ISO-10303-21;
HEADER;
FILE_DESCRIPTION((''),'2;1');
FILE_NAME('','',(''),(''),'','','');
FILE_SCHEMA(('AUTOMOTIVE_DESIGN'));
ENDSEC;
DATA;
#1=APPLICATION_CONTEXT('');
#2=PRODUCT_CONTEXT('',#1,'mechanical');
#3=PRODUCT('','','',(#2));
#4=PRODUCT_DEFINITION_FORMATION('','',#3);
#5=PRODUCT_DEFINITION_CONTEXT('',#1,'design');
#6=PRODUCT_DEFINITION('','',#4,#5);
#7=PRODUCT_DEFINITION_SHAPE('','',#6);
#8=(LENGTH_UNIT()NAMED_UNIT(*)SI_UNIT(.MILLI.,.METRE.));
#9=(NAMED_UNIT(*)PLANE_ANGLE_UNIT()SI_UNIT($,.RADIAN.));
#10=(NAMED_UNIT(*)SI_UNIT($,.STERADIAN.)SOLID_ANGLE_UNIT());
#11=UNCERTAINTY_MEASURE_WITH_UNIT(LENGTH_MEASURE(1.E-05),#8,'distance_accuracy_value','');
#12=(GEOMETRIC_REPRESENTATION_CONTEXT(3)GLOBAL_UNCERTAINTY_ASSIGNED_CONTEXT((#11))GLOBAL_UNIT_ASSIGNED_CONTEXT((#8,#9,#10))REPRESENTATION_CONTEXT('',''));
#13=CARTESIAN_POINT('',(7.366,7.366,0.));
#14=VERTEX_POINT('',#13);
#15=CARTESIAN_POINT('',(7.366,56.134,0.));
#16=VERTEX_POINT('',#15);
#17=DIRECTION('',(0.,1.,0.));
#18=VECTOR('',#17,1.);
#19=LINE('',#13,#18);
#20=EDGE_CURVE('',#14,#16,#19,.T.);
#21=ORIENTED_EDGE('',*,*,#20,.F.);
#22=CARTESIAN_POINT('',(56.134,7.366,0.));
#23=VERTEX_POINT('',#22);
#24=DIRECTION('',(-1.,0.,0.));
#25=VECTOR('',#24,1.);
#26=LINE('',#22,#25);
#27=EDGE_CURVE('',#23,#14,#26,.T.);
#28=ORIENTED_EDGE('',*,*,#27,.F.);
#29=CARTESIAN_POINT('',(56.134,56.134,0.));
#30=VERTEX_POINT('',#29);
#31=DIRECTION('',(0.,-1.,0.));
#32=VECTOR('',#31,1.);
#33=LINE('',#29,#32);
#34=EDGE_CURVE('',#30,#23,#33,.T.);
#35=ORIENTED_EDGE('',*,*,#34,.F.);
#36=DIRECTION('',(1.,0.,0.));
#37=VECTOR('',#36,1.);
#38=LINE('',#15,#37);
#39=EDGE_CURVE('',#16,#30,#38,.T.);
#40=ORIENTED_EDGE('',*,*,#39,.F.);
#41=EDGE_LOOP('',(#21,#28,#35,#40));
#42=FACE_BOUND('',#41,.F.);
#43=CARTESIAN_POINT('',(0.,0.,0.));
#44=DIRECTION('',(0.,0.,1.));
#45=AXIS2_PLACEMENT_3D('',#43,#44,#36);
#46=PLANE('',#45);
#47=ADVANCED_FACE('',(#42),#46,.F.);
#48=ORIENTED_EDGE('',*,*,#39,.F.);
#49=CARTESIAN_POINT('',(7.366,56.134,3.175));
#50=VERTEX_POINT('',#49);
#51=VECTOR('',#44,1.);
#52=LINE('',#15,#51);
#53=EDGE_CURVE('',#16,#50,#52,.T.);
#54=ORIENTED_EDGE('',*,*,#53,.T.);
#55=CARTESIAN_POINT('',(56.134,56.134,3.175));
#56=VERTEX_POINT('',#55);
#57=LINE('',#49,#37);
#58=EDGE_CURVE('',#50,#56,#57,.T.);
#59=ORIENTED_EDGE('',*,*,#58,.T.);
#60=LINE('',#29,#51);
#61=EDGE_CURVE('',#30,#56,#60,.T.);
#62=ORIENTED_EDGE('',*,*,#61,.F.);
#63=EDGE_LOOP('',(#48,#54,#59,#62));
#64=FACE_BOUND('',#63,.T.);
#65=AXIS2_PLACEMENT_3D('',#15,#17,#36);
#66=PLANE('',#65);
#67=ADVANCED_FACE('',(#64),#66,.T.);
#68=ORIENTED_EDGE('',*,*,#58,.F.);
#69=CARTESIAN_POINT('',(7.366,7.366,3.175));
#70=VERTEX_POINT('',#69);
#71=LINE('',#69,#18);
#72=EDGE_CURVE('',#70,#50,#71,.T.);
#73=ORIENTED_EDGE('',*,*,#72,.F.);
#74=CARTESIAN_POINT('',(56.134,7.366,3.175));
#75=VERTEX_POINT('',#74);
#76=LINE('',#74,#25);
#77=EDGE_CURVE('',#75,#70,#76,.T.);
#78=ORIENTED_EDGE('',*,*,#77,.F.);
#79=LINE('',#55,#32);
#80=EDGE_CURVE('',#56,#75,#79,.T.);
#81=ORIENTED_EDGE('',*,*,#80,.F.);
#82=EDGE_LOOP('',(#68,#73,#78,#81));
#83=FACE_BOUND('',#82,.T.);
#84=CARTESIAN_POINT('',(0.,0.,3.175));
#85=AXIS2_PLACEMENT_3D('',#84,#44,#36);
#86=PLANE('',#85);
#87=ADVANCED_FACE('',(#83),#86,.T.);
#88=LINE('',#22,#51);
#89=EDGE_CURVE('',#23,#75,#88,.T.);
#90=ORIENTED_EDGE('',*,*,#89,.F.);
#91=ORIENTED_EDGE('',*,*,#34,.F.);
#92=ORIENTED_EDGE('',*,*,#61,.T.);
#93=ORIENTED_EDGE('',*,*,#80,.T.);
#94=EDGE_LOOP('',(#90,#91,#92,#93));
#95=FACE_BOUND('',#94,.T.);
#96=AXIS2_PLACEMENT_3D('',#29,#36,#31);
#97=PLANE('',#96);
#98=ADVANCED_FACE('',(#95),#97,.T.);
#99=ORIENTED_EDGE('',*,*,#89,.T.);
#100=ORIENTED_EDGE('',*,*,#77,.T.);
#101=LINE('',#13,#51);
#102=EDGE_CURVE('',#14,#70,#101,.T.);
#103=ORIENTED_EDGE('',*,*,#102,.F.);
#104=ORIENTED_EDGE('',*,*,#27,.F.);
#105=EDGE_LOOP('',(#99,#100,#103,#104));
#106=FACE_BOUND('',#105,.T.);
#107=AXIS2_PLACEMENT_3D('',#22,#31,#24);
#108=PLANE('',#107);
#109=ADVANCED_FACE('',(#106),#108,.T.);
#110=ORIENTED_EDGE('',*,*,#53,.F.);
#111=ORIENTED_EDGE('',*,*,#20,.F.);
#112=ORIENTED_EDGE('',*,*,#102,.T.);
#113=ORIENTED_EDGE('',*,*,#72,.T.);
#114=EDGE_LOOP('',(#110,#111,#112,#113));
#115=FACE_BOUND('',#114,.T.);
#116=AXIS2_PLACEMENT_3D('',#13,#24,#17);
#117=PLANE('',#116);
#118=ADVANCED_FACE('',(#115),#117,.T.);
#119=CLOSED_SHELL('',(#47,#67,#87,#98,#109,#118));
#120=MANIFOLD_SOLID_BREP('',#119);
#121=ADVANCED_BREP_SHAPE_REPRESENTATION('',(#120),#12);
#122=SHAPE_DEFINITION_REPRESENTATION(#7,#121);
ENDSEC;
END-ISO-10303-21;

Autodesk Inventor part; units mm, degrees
ref_plane "YZ Plane" through (0, 0, 0) normal (1, 0, 0) x (0, 1, 0)
ref_plane "XZ Plane" through (0, 0, 0) normal (0, 1, 0) x (-1, 0, 0)
ref_plane "XY Plane" through (0, 0, 0) normal (0, 0, 1) x (1, 0, 0)
ref_plane "Work Plane1" through (0, 0, 0) normal (0, 0, 1) x (1, 0, 0)
sketch "Sketch1" plane through (0, 0, 0) normal (0, 0, 1) x (1, 0, 0)
  line L0 (7.366, 7.366) -> (7.366, 56.134) projected
  line L1 (7.366, 56.134) -> (56.134, 56.134) projected
  line L2 (56.134, 56.134) -> (56.134, 7.366) projected
  line L3 (56.134, 7.366) -> (7.366, 7.366) projected
  point P0 (0, 0)
extrude "Extrusion1" add sketch "Sketch1" along normal blind 3.175
equation "\"d13\" = acrylicthickness"
equation "\"d0\" = 63.5"
equation "\"d1\" = 63.5"
equation "\"d2\" = 63.5"
equation "\"d3\" = 0"
equation "\"d4\" = 7.366"
equation "\"d5\" = 79.6925"
equation "\"d6\" = 0"
equation "\"outerprofile\" = 63.5"
equation "\"innerprofile\" = 48.768"
equation "\"overalldepth\" = 63.5"
equation "\"wirechannelwidth\" = 8"
equation "\"wirechanneldepth\" = 3"
equation "\"frontpanelsupports\" = 6.35"
equation "\"outerfillets\" = 7.366"
equation "\"supportfillets\" = 6.35"
equation "\"d7\" = outerprofile"
equation "\"d8\" = outerprofile"
equation "\"d9\" = overalldepth"
equation "\"d10\" = 0"
equation "\"acrylicthickness\" = 3.175"
equation "\"trimwidth\" = 25.4"
equation "\"trimdepth\" = 5.08"
equation "\"d11\" = innerprofile"
equation "\"d14\" = 0"
equation "\"patternspacing\" = innerprofile - frontpanelsupports"
equation "\"wirechannelspacing\" = 10.795"
equation "\"controllerseatbeltheight\" = 10.16"
equation "\"controllerseatbeltwidth\" = 15.24"
equation "\"wirechannelfillets\" = 25.4"
equation "\"d41\" = outerfillets"
equation "\"d42\" = outerfillets"
equation "\"d44\" = 1.6"
equation "\"d45\" = controllerseatbeltheight"
equation "\"d55\" = 1.6"
equation "\"d56\" = controllerseatbeltheight"
equation "\"d57\" = controllerseatbeltwidth"
equation "\"d58\" = 2 * supportfillets"
equation "\"d59\" = 19.05"
equation "\"d60\" = 0"
equation "\"d61\" = supportfillets"
equation "\"d62\" = supportfillets"
equation "\"d63\" = 0"
equation "\"d64\" = 0"
equation "\"d65\" = 0.372"
equation "\"d79\" = 2.9972"
equation "\"pcblength\" = 32"
equation "\"d103\" = 1.35"
equation "\"d104\" = 18.25"
equation "\"d108\" = 4.6"
equation "\"d111\" = d108"
equation "\"d112\" = 1.2"
equation "\"d113\" = 0"
equation "\"d114\" = 3.6"
equation "\"d115\" = 4.6"
equation "\"d116\" = 4.6"
equation "\"d117\" = 6.5"
equation "\"d118\" = 0"
equation "\"d119\" = 1.4"
equation "\"d120\" = 15"
equation "\"d121\" = 0"
equation "\"d122\" = 0.5"
equation "\"d123\" = 3.8"
equation "\"d124\" = 4.75"
equation "\"d125\" = d124"
equation "\"d127\" = 2.4"
equation "\"d129\" = 0"
equation "\"d132\" = 3"
equation "\"d133\" = wirechannelwidth"
equation "\"d135\" = wirechannelwidth"
equation "\"d136\" = 2"
equation "\"d141\" = wirechanneldepth"
equation "\"d142\" = 0"
equation "\"d143\" = wirechanneldepth"
equation "\"d152\" = 0.5"
equation "\"d153\" = 0.9"
equation "\"d154\" = 0.8"
equation "\"d155\" = 0"
equation "\"wing\" = 6.25"
equation "\"d157\" = 2 * wirechanneldepth"
equation "\"d158\" = 2"
equation "\"d160\" = wing"
equation "\"d161\" = wing"
equation "\"d162\" = 3"
equation "\"d165\" = 0"
equation "\"d166\" = 2"
equation "\"d167\" = 0.5"
equation "\"d168\" = 4"
equation "\"d172\" = -0.7"
equation "\"ledsandwich\" = 2 * acrylicthickness + ledwidth + trimdepth"
equation "\"d12\" = -ledsandwich"
equation "\"d126\" = d127"
equation "\"ledwidth\" = 10"
properties part number "Acrylic"
